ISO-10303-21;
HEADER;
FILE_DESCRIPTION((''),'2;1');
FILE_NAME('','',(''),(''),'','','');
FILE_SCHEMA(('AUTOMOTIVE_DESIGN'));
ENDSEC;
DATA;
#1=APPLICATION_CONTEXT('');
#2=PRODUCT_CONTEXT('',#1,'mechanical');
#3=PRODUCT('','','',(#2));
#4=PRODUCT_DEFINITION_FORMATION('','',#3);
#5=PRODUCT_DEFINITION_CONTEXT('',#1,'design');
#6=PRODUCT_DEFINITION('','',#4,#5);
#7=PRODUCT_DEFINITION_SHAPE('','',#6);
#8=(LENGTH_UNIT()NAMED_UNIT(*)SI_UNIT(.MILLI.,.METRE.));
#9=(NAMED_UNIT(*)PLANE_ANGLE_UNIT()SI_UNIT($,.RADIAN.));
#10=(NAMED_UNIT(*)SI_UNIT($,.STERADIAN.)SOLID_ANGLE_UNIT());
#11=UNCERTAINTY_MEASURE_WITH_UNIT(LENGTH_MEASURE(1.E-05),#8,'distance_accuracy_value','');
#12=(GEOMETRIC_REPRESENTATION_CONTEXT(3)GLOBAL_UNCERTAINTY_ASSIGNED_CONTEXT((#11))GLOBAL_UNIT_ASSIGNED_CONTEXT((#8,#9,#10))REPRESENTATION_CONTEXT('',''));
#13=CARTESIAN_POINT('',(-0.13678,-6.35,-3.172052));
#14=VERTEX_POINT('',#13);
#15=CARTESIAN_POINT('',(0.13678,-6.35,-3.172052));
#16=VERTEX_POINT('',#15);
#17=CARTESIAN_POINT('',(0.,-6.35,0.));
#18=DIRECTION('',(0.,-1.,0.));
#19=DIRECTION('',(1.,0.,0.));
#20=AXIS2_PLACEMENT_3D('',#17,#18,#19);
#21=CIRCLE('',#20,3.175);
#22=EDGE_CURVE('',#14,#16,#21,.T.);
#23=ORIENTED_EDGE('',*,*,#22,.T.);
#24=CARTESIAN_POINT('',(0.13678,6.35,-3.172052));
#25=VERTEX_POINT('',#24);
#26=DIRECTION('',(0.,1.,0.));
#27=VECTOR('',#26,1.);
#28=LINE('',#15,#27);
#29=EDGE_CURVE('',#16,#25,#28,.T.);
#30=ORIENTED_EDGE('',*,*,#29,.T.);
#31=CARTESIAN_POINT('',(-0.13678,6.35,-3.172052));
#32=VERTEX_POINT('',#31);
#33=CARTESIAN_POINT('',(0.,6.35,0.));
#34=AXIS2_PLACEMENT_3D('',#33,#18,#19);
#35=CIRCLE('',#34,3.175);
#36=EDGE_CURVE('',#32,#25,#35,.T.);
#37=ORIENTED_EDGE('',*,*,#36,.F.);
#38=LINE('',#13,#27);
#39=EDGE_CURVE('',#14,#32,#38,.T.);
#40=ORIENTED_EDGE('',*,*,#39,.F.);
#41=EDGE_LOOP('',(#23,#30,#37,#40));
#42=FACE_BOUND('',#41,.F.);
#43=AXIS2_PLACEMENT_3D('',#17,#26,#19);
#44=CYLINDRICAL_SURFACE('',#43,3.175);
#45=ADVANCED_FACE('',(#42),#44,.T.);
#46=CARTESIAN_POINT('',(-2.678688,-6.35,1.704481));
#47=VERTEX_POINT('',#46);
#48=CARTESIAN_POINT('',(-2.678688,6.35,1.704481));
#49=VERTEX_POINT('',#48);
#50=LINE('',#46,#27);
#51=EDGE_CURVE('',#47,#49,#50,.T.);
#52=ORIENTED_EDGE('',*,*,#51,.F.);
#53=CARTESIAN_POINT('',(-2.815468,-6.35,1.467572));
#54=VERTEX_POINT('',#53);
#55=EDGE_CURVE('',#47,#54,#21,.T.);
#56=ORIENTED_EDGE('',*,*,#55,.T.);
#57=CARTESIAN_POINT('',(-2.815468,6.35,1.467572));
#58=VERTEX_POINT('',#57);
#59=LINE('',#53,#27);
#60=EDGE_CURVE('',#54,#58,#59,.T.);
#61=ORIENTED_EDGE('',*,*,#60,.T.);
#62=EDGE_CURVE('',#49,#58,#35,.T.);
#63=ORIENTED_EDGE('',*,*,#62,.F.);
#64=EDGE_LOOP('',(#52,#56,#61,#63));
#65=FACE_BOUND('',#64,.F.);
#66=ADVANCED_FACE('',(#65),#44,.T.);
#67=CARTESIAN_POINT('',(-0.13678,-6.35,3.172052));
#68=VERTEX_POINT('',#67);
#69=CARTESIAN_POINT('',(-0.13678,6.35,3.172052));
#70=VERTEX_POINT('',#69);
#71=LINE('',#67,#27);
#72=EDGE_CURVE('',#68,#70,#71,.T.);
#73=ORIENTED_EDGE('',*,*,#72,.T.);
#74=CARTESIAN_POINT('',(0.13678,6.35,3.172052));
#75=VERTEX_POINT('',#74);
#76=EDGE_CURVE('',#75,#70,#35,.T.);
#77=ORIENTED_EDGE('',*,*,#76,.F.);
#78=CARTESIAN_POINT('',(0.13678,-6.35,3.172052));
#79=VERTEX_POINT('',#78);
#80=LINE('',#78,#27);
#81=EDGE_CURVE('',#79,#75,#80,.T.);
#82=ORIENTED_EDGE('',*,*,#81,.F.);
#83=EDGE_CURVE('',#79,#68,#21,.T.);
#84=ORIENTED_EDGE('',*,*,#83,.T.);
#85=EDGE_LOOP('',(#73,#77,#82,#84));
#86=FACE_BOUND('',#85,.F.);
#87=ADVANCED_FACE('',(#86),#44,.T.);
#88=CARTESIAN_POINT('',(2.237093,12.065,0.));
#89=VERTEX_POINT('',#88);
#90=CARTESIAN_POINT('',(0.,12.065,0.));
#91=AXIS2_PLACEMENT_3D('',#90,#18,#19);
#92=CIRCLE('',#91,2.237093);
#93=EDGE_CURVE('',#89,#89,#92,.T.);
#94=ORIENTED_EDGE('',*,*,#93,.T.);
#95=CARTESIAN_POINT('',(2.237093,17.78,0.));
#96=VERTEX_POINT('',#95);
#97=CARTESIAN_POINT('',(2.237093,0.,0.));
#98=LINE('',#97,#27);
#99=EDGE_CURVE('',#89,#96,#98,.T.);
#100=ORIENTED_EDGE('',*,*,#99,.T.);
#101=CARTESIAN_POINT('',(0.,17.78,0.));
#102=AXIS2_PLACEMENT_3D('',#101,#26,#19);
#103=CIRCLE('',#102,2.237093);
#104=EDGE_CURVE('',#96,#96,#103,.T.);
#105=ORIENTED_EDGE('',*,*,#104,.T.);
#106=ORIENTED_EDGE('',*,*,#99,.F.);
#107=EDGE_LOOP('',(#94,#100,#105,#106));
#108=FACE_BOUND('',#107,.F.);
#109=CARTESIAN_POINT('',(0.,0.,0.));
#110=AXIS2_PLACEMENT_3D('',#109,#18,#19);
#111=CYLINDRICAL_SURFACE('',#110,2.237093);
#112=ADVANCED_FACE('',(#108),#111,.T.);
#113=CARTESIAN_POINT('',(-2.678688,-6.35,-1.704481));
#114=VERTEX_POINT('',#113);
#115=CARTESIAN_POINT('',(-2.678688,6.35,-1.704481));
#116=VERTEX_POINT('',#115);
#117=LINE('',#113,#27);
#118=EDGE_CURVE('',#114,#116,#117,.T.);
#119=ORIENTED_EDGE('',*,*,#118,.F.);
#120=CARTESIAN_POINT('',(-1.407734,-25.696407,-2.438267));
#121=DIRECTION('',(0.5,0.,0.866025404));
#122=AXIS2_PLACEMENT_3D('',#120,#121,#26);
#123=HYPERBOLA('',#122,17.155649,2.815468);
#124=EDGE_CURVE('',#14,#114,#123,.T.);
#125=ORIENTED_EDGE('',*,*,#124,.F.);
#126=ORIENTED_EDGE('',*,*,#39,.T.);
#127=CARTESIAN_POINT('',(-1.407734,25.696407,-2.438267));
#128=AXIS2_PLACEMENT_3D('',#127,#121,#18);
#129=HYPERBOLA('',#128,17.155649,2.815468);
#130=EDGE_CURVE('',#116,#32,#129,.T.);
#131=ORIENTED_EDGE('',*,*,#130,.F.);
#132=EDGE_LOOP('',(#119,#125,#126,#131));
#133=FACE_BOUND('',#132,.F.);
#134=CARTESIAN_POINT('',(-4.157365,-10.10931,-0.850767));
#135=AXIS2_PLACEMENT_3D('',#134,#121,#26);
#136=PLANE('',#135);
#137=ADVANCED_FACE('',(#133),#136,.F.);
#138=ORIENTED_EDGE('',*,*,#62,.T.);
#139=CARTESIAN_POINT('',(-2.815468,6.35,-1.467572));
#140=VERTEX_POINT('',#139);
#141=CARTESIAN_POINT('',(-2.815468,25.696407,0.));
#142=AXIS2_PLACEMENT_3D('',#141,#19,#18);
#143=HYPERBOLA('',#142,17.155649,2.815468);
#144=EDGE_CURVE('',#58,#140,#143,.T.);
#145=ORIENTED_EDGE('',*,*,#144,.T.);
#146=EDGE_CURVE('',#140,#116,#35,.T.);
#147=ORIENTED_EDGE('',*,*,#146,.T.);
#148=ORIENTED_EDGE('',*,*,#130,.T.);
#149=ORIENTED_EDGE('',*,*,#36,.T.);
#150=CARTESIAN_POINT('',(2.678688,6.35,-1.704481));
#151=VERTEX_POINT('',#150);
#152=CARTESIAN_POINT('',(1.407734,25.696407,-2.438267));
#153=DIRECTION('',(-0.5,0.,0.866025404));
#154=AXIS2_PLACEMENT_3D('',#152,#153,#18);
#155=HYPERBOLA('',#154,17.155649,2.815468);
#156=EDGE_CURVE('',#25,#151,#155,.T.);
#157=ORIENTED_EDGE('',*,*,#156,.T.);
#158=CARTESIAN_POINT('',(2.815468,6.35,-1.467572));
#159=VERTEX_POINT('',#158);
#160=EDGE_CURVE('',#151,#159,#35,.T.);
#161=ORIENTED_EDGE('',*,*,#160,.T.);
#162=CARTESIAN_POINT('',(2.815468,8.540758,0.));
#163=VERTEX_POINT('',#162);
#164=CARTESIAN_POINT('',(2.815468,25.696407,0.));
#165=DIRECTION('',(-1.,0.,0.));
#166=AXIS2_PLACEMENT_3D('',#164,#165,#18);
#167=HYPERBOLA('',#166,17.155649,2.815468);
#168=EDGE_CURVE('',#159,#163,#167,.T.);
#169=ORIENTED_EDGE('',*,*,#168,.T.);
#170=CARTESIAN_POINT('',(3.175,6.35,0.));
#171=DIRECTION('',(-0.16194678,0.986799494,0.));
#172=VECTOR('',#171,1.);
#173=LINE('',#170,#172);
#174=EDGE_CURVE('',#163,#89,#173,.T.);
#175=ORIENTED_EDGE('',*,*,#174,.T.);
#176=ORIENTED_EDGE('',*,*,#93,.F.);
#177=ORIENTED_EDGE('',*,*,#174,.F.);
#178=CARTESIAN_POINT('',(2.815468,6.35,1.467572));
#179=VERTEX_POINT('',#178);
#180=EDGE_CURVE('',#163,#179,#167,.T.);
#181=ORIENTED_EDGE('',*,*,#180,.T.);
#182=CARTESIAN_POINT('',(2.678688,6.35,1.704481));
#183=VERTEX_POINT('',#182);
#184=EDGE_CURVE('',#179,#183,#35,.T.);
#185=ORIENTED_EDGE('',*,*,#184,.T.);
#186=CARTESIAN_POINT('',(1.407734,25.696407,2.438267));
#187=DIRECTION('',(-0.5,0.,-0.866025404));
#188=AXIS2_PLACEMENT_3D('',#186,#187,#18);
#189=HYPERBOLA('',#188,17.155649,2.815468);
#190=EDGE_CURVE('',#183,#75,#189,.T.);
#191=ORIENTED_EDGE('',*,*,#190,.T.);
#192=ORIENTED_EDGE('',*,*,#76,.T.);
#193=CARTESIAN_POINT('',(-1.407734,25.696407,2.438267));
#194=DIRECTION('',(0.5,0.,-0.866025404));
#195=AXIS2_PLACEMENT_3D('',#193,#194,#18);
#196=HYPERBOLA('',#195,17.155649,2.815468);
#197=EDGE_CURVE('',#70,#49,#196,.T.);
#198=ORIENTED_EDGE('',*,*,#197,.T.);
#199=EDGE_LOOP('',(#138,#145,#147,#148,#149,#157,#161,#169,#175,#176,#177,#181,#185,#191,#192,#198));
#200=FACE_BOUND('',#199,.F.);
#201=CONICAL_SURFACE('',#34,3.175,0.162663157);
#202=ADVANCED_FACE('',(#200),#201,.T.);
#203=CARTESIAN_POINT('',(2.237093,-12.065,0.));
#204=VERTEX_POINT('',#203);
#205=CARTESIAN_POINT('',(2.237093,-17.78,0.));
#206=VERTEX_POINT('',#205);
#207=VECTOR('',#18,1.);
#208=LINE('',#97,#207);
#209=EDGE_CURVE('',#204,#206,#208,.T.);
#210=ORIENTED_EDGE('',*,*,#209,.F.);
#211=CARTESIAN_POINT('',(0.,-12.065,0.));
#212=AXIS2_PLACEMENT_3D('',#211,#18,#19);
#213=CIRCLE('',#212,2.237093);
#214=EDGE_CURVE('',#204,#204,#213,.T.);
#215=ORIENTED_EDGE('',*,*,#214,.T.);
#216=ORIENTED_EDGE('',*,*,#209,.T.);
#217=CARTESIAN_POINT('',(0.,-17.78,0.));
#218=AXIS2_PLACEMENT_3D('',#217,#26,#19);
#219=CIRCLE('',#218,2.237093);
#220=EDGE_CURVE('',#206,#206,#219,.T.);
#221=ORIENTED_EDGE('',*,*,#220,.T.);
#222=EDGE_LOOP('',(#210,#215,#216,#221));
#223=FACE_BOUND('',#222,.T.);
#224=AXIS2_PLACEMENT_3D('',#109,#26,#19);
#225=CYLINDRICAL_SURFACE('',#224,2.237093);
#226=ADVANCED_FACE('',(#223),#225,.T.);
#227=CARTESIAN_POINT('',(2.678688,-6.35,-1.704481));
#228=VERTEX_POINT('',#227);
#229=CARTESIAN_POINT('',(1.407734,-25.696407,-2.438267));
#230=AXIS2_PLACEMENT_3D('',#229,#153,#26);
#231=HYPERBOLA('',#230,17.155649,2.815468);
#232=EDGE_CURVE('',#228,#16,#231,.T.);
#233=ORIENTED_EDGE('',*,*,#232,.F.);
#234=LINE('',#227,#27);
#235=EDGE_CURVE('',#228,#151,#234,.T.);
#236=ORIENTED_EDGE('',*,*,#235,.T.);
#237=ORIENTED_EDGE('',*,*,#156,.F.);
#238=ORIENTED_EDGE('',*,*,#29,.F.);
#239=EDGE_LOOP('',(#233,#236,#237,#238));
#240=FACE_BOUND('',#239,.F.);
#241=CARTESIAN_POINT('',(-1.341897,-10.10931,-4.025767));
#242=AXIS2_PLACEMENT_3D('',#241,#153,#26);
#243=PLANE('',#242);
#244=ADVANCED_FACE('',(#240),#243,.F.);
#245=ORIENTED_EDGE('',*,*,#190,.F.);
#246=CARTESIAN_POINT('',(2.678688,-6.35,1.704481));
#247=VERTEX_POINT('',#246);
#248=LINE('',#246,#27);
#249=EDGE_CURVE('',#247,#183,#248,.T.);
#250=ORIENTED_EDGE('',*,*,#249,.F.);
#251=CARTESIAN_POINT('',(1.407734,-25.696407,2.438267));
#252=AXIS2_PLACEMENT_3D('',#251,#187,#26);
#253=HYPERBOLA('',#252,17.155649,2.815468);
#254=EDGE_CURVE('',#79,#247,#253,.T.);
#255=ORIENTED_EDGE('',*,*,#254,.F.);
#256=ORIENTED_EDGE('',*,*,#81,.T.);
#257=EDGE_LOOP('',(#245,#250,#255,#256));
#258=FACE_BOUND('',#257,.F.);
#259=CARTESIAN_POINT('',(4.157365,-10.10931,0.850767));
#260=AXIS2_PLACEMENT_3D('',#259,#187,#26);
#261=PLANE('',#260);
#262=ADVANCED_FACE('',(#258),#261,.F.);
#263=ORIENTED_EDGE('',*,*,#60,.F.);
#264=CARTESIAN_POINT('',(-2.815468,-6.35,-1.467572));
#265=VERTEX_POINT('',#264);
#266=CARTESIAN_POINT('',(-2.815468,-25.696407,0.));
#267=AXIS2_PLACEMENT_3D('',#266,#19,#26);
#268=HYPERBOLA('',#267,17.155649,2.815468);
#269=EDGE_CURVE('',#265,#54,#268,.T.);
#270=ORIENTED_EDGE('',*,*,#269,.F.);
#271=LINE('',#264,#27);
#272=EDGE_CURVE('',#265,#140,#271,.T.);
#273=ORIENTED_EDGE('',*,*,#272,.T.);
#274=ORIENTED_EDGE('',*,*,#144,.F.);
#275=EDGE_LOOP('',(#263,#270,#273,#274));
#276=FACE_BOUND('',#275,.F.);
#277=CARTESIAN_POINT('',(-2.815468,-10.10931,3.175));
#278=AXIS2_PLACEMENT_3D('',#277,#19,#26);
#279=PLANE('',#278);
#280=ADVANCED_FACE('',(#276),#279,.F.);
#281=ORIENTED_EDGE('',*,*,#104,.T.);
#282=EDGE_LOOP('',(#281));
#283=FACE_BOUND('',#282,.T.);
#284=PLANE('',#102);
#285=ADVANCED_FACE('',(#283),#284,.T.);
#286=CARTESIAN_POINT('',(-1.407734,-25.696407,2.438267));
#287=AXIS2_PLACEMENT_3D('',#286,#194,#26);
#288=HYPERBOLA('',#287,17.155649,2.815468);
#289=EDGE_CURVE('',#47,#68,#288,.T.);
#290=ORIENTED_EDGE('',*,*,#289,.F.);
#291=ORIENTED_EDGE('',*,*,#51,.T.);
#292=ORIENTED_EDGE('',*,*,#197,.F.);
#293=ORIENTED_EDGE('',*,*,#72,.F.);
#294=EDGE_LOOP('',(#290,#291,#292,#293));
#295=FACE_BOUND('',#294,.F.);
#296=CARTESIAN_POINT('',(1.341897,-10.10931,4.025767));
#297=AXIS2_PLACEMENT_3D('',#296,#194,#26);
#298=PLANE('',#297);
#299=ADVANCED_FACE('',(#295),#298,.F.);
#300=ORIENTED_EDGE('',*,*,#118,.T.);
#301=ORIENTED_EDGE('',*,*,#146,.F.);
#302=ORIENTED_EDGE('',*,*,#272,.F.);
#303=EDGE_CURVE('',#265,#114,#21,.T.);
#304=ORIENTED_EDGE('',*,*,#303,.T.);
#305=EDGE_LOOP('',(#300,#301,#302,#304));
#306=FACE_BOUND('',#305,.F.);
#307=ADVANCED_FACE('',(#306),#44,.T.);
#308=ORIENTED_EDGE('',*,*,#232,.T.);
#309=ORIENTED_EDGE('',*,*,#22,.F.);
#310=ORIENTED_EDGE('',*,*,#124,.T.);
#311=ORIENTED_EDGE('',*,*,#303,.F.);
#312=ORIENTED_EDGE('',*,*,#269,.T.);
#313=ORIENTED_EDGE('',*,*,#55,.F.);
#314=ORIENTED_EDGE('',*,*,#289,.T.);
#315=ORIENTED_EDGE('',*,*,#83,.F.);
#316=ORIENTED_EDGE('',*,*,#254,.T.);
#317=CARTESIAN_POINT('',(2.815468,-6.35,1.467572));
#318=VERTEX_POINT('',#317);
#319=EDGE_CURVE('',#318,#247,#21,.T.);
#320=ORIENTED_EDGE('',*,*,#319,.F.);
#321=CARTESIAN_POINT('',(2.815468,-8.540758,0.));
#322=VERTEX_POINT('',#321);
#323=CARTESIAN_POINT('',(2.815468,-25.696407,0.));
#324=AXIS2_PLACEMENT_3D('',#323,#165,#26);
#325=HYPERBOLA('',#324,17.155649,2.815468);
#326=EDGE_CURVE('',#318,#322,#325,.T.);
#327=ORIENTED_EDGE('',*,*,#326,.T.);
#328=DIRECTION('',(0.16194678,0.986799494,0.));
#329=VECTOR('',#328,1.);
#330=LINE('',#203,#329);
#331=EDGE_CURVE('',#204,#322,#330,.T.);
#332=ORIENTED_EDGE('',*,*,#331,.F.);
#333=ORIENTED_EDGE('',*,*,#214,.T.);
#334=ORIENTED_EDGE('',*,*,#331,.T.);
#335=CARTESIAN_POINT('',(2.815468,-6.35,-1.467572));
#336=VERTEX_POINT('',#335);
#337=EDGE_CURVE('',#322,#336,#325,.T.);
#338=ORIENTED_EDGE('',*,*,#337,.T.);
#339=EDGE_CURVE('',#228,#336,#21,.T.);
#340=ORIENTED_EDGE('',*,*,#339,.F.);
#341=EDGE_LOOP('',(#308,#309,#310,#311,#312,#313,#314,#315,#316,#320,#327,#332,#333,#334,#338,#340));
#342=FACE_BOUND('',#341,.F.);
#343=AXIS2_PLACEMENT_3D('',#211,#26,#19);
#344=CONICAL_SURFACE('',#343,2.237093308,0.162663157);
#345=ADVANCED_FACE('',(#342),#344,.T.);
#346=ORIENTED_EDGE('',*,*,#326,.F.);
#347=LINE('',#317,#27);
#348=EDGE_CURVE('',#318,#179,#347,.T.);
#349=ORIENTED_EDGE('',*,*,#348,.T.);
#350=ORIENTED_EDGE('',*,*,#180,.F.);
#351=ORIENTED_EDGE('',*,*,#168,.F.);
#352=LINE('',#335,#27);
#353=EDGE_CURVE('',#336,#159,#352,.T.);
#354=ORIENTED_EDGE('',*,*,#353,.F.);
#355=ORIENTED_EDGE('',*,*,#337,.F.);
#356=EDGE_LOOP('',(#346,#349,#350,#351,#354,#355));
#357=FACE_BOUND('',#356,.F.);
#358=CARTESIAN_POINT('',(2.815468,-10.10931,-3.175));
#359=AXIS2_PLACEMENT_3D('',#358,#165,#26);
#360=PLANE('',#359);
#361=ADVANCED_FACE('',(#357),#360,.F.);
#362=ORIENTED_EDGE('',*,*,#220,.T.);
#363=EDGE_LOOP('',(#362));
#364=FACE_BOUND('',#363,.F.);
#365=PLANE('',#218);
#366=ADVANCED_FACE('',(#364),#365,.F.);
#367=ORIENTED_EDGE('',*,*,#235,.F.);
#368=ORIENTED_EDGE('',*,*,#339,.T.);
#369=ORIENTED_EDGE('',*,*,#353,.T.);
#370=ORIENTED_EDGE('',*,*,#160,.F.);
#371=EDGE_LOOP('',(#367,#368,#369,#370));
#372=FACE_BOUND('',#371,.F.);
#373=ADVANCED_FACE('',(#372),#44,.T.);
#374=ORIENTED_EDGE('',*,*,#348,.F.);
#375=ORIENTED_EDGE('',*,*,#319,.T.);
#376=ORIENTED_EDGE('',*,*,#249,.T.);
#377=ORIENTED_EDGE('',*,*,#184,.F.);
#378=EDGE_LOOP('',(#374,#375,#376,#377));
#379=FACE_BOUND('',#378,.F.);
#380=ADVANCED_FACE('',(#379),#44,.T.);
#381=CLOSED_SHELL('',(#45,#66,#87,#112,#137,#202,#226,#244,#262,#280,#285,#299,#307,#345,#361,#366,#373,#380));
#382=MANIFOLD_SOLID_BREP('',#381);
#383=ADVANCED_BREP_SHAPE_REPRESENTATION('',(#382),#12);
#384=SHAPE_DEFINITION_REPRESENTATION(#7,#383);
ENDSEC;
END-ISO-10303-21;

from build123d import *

# Parameters (mm, degrees)
SKETCH3_W                = 0.428843097
SKETCH3_H                = 18.90052945
CUT_EXTRUDE1_DEPTH       = 7.35
CIRPATTERN1_COUNT        = 6
SKETCH5_R                = 2.237093308
BOSS_EXTRUDE1_DEPTH      = 17.78
BOSS_EXTRUDE1_DEPTH_BACK = 17.78


with BuildPart() as part:
    # Sketch1 → Revolve1 (revolve)
    with BuildSketch(Plane.XY):
        Polygon((2.237093308, -12.065), (3.175, -6.35), (3.175, 6.35), (2.237093308, 12.065), align=None)
    revolve(axis=Axis((0, 6.041374164, 0), (0, -1, 0)))

    # Sketch3 → Cut-Extrude1 (cut, through all)
    with BuildSketch(Plane.XY.offset(3.175)):
        with Locations((-3.029889302, -0.659045193)):
            Rectangle(SKETCH3_W, SKETCH3_H)
    cut_extrude1 = extrude(amount=-CUT_EXTRUDE1_DEPTH, mode=Mode.SUBTRACT)

    # CirPattern1: Cut-Extrude1 ×6 about axis
    cirpattern1_axis = Axis((0, 0, 0), (0, 1, 0))
    for i in range(1, CIRPATTERN1_COUNT):
        add(cut_extrude1.rotate(cirpattern1_axis, i * 360 / CIRPATTERN1_COUNT), mode=Mode.SUBTRACT)

    # Sketch5 → Boss-Extrude1 (add, two sides)
    with BuildSketch(Plane(origin=(0, 0, 0), x_dir=(1, 0, 0), z_dir=(0, 1, 0))) as boss_extrude1_sk:
        Circle(SKETCH5_R)
    extrude(amount=BOSS_EXTRUDE1_DEPTH)
    extrude(boss_extrude1_sk.sketch, amount=-BOSS_EXTRUDE1_DEPTH_BACK)


solid = part.part
